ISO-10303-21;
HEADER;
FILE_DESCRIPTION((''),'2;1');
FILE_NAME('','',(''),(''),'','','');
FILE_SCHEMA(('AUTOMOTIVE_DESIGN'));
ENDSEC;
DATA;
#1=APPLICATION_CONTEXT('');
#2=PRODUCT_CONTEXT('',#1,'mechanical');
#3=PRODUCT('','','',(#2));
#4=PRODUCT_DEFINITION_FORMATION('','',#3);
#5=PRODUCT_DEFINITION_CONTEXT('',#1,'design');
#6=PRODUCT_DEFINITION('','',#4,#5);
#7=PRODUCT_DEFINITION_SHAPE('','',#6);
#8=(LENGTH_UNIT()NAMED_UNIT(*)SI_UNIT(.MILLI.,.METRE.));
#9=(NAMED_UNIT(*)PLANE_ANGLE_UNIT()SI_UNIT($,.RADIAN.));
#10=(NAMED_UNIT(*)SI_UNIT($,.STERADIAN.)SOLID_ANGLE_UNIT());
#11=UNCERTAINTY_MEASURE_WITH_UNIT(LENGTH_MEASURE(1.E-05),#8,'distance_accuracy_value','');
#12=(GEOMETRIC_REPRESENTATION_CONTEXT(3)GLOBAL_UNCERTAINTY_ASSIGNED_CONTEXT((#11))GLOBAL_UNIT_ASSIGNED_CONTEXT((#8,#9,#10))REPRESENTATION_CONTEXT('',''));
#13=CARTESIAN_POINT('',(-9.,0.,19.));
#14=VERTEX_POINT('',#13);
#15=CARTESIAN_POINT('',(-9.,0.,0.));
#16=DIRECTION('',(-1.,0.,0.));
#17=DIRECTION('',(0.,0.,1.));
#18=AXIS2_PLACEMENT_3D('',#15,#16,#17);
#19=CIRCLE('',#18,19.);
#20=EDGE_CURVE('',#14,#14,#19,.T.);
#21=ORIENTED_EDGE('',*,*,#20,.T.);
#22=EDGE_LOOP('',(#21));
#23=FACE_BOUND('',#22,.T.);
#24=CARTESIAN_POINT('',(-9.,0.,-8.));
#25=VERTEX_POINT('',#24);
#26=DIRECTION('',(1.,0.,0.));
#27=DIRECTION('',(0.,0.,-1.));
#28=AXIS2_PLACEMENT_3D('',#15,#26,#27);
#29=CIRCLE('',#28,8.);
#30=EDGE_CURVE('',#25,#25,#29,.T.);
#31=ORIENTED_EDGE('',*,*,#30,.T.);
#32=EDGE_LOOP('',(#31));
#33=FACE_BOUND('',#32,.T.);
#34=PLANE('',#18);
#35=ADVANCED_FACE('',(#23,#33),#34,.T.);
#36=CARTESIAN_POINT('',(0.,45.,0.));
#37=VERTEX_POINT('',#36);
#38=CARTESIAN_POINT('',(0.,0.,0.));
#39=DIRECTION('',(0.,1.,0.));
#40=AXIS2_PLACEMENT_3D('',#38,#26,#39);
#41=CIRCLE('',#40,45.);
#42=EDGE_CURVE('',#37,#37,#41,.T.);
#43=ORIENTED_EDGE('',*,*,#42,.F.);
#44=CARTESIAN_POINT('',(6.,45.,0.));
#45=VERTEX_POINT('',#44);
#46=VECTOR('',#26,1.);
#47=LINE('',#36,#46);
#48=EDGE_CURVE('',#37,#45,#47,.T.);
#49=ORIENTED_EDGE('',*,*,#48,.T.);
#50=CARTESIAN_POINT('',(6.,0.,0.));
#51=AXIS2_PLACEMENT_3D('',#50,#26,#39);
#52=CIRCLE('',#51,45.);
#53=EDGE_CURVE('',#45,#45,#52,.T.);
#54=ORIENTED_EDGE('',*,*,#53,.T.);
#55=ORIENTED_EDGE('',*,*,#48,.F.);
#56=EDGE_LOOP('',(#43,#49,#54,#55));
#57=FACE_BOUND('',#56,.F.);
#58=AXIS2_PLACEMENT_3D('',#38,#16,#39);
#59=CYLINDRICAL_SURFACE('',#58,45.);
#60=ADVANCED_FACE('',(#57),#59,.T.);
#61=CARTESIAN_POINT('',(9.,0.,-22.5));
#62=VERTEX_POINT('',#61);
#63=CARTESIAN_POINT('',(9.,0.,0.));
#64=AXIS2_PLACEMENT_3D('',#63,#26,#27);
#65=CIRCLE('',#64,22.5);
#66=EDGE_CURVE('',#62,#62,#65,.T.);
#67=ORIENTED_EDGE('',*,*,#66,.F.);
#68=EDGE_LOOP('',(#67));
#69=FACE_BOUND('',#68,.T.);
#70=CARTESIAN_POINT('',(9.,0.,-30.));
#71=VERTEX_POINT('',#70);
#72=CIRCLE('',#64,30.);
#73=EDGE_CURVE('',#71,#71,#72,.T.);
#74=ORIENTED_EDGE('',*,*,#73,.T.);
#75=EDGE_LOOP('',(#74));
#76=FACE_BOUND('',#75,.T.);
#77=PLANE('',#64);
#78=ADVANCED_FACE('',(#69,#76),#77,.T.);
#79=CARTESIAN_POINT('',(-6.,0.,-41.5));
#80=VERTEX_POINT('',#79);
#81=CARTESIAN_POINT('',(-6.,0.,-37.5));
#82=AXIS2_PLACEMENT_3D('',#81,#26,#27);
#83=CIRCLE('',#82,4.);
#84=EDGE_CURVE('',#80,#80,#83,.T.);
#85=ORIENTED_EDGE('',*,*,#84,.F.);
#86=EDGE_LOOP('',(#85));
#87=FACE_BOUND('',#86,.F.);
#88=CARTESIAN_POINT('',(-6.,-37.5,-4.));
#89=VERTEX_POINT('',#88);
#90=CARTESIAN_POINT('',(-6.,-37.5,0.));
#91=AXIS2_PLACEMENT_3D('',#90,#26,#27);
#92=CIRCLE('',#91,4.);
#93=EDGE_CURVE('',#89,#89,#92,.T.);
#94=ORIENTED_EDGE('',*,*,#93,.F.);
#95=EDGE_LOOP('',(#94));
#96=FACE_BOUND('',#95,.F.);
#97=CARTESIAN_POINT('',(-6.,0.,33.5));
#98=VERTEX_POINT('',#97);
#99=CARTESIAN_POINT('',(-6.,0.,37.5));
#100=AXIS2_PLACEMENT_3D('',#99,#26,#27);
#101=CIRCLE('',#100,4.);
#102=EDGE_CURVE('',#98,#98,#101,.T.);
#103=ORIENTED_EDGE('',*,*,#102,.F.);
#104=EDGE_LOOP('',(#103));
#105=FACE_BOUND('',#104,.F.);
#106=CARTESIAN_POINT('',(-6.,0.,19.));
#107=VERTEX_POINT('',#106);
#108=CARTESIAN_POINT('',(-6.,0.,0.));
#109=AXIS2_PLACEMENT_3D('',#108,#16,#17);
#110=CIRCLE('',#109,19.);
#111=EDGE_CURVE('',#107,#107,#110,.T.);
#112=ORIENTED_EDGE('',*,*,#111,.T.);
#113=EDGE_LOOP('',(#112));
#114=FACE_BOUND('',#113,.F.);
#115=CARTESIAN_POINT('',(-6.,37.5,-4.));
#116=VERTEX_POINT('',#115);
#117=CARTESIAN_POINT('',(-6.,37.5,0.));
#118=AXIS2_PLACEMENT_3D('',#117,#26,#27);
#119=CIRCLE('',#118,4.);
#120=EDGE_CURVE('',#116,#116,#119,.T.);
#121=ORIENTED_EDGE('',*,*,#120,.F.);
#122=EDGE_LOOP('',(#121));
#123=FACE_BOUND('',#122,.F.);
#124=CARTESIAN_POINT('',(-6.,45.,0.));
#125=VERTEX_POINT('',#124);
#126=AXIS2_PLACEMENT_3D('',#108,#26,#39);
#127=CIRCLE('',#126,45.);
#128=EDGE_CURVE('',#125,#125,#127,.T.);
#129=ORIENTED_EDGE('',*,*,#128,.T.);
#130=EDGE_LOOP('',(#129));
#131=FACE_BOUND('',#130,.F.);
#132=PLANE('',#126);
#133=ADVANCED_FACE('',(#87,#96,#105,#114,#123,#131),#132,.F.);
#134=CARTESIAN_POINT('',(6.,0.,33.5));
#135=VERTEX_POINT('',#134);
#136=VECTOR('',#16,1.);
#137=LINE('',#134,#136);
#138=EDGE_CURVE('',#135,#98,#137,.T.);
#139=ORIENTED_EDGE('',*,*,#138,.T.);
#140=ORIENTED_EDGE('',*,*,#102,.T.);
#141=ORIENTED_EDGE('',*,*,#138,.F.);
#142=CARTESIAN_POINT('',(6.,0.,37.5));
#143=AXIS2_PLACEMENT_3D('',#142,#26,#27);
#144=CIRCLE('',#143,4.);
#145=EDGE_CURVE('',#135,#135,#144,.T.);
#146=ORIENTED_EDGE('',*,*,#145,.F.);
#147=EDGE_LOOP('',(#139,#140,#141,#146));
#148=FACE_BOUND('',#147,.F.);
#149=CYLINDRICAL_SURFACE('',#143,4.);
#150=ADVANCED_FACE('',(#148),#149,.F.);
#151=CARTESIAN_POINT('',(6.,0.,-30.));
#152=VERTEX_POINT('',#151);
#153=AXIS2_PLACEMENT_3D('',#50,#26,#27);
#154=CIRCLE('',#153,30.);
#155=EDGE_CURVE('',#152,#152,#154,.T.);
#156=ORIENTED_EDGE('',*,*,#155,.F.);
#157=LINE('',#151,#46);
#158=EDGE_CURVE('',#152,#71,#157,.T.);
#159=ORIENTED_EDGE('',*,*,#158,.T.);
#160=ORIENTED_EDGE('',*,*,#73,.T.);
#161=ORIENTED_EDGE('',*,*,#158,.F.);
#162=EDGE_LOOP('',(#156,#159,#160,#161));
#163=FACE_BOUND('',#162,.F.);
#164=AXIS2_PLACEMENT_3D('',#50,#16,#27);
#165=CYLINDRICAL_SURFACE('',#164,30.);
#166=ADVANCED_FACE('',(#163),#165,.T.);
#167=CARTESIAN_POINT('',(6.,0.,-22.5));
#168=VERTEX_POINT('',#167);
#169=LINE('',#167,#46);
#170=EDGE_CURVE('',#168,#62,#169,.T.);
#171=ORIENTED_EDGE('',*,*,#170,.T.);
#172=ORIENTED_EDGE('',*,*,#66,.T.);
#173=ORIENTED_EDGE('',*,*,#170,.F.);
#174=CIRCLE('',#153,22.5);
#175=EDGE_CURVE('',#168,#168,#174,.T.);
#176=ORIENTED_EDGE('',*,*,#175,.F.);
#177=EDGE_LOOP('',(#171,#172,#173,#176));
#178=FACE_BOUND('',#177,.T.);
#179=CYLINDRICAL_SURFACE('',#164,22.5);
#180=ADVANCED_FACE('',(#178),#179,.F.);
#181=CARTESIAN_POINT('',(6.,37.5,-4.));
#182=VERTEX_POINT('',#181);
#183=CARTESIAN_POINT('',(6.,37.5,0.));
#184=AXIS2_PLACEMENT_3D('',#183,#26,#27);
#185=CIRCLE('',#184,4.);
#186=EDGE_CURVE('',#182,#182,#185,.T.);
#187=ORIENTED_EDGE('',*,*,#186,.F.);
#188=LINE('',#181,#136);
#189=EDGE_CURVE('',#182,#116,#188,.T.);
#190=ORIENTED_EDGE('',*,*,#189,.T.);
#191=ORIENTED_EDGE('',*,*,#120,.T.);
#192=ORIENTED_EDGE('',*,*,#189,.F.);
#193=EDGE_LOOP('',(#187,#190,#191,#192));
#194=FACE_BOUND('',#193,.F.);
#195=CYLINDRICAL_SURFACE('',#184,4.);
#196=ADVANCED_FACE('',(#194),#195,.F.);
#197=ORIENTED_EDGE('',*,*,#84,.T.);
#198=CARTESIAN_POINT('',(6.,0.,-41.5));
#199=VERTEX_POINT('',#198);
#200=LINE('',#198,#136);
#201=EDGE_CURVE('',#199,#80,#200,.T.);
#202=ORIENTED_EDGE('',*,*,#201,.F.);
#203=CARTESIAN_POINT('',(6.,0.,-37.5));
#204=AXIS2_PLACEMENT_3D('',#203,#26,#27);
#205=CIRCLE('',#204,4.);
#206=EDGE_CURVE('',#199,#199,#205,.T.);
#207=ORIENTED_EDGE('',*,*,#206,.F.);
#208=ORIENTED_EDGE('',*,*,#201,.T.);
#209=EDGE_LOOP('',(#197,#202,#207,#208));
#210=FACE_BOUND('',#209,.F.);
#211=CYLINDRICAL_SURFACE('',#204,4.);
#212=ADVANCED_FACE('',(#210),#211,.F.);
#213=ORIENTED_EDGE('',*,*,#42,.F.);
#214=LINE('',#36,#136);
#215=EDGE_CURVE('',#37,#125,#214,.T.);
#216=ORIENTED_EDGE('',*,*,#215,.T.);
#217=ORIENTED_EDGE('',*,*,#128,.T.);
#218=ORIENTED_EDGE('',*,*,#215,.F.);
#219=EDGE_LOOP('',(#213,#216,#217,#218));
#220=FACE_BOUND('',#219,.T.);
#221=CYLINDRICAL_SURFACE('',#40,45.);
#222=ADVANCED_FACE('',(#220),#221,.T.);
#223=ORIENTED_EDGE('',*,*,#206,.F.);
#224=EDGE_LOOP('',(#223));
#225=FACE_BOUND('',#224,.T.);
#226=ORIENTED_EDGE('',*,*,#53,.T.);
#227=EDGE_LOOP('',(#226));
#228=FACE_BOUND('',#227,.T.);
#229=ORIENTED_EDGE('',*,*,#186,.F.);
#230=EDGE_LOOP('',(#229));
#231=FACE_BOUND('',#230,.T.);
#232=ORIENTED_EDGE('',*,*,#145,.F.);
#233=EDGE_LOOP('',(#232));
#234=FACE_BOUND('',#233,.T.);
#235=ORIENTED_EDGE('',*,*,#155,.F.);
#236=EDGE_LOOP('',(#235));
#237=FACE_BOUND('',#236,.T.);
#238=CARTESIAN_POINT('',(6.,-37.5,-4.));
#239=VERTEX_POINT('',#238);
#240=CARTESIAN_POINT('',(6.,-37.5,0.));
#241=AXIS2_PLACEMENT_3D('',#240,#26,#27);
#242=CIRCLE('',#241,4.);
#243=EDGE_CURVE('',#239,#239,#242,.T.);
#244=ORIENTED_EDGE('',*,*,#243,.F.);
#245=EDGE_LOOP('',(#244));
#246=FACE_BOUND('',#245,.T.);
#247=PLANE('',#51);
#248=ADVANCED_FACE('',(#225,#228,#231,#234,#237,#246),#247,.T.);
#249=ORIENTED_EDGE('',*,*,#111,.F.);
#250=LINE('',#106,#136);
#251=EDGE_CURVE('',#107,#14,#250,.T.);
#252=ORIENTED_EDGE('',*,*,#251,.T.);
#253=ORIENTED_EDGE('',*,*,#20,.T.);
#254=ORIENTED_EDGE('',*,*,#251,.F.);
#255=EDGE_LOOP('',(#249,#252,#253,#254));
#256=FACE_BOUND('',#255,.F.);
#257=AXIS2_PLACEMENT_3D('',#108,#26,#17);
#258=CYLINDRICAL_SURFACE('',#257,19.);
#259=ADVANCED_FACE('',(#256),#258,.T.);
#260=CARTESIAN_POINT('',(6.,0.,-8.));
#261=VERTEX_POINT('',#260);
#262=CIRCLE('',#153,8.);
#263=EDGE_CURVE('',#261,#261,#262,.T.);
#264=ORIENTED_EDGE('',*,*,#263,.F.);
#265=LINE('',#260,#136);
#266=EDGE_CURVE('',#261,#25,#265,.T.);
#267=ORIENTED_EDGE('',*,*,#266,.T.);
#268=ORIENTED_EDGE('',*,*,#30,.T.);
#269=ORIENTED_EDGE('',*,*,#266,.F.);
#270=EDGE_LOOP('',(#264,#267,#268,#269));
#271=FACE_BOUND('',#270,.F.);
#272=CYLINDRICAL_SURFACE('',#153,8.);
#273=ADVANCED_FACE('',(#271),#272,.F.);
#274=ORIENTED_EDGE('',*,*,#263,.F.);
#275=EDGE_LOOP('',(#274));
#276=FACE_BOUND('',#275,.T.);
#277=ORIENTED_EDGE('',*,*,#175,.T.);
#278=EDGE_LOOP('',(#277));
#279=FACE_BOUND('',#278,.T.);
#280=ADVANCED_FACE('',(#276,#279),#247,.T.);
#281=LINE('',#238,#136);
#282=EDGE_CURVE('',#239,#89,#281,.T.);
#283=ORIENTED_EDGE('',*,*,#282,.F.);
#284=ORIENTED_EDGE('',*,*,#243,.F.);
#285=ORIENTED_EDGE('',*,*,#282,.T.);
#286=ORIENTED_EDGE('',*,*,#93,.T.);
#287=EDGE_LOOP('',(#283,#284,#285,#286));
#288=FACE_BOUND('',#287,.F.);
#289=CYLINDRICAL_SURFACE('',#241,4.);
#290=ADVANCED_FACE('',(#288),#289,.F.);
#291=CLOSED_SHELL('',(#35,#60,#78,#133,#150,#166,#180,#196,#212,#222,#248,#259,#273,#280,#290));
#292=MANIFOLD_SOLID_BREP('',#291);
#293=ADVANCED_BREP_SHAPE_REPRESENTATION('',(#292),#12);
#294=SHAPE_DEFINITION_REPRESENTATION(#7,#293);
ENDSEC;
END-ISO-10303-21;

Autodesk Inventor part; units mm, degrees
ref_plane "YZ Plane" through (0, 0, 0) normal (1, 0, 0) x (0, 1, 0)
ref_plane "XZ Plane" through (0, 0, 0) normal (0, 1, 0) x (-1, 0, 0)
ref_plane "XY Plane" through (0, 0, 0) normal (0, 0, 1) x (1, 0, 0)
sketch "Sketch1" plane through (0, 0, 0) normal (1, 0, 0) x (0, 1, 0)
  circle A0 centre (0, 0) radius 45
  dimension "d0" = 90
extrude "Extrusion1" add sketch "Sketch1" along normal mid plane 12
sketch "Sketch2" plane through (6, 0, 0) normal (1, 0, 0) x (0, 0, -1)
  circle A0 centre (0, 0) radius 30
  circle A1 centre (0, 0) radius 22.5
  dimension "d3" = 60
  dimension "d4" = 45
extrude "Extrusion2" add sketch "Sketch2" along normal blind 3
sketch "Sketch3" plane through (-6, 0, 0) normal (-1, 0, 0) x (0, 0, 1)
  circle A0 centre (0, 0) radius 19
  dimension "d7" = 38
extrude "Extrusion3" add sketch "Sketch3" along normal blind 3
sketch "Sketch4" plane through (6, 0, 0) normal (1, 0, 0) x (0, 0, -1)
  circle A0 centre (0, 0) radius 8
  circle A1 centre (0, 37.5) radius 4
  circle A2 centre (-37.5, 0) radius 4
  circle A3 centre (0, -37.5) radius 4
  circle A4 centre (37.5, 0) radius 4
  dimension "d10" = 16
  dimension "d11" = 8
  dimension "d12" = 37.5
  dimension "d15" = 360
  dimension "d17" = 75
  dimension "d18" = 37.5
extrude "Extrusion4" cut sketch "Sketch4" against normal through all
